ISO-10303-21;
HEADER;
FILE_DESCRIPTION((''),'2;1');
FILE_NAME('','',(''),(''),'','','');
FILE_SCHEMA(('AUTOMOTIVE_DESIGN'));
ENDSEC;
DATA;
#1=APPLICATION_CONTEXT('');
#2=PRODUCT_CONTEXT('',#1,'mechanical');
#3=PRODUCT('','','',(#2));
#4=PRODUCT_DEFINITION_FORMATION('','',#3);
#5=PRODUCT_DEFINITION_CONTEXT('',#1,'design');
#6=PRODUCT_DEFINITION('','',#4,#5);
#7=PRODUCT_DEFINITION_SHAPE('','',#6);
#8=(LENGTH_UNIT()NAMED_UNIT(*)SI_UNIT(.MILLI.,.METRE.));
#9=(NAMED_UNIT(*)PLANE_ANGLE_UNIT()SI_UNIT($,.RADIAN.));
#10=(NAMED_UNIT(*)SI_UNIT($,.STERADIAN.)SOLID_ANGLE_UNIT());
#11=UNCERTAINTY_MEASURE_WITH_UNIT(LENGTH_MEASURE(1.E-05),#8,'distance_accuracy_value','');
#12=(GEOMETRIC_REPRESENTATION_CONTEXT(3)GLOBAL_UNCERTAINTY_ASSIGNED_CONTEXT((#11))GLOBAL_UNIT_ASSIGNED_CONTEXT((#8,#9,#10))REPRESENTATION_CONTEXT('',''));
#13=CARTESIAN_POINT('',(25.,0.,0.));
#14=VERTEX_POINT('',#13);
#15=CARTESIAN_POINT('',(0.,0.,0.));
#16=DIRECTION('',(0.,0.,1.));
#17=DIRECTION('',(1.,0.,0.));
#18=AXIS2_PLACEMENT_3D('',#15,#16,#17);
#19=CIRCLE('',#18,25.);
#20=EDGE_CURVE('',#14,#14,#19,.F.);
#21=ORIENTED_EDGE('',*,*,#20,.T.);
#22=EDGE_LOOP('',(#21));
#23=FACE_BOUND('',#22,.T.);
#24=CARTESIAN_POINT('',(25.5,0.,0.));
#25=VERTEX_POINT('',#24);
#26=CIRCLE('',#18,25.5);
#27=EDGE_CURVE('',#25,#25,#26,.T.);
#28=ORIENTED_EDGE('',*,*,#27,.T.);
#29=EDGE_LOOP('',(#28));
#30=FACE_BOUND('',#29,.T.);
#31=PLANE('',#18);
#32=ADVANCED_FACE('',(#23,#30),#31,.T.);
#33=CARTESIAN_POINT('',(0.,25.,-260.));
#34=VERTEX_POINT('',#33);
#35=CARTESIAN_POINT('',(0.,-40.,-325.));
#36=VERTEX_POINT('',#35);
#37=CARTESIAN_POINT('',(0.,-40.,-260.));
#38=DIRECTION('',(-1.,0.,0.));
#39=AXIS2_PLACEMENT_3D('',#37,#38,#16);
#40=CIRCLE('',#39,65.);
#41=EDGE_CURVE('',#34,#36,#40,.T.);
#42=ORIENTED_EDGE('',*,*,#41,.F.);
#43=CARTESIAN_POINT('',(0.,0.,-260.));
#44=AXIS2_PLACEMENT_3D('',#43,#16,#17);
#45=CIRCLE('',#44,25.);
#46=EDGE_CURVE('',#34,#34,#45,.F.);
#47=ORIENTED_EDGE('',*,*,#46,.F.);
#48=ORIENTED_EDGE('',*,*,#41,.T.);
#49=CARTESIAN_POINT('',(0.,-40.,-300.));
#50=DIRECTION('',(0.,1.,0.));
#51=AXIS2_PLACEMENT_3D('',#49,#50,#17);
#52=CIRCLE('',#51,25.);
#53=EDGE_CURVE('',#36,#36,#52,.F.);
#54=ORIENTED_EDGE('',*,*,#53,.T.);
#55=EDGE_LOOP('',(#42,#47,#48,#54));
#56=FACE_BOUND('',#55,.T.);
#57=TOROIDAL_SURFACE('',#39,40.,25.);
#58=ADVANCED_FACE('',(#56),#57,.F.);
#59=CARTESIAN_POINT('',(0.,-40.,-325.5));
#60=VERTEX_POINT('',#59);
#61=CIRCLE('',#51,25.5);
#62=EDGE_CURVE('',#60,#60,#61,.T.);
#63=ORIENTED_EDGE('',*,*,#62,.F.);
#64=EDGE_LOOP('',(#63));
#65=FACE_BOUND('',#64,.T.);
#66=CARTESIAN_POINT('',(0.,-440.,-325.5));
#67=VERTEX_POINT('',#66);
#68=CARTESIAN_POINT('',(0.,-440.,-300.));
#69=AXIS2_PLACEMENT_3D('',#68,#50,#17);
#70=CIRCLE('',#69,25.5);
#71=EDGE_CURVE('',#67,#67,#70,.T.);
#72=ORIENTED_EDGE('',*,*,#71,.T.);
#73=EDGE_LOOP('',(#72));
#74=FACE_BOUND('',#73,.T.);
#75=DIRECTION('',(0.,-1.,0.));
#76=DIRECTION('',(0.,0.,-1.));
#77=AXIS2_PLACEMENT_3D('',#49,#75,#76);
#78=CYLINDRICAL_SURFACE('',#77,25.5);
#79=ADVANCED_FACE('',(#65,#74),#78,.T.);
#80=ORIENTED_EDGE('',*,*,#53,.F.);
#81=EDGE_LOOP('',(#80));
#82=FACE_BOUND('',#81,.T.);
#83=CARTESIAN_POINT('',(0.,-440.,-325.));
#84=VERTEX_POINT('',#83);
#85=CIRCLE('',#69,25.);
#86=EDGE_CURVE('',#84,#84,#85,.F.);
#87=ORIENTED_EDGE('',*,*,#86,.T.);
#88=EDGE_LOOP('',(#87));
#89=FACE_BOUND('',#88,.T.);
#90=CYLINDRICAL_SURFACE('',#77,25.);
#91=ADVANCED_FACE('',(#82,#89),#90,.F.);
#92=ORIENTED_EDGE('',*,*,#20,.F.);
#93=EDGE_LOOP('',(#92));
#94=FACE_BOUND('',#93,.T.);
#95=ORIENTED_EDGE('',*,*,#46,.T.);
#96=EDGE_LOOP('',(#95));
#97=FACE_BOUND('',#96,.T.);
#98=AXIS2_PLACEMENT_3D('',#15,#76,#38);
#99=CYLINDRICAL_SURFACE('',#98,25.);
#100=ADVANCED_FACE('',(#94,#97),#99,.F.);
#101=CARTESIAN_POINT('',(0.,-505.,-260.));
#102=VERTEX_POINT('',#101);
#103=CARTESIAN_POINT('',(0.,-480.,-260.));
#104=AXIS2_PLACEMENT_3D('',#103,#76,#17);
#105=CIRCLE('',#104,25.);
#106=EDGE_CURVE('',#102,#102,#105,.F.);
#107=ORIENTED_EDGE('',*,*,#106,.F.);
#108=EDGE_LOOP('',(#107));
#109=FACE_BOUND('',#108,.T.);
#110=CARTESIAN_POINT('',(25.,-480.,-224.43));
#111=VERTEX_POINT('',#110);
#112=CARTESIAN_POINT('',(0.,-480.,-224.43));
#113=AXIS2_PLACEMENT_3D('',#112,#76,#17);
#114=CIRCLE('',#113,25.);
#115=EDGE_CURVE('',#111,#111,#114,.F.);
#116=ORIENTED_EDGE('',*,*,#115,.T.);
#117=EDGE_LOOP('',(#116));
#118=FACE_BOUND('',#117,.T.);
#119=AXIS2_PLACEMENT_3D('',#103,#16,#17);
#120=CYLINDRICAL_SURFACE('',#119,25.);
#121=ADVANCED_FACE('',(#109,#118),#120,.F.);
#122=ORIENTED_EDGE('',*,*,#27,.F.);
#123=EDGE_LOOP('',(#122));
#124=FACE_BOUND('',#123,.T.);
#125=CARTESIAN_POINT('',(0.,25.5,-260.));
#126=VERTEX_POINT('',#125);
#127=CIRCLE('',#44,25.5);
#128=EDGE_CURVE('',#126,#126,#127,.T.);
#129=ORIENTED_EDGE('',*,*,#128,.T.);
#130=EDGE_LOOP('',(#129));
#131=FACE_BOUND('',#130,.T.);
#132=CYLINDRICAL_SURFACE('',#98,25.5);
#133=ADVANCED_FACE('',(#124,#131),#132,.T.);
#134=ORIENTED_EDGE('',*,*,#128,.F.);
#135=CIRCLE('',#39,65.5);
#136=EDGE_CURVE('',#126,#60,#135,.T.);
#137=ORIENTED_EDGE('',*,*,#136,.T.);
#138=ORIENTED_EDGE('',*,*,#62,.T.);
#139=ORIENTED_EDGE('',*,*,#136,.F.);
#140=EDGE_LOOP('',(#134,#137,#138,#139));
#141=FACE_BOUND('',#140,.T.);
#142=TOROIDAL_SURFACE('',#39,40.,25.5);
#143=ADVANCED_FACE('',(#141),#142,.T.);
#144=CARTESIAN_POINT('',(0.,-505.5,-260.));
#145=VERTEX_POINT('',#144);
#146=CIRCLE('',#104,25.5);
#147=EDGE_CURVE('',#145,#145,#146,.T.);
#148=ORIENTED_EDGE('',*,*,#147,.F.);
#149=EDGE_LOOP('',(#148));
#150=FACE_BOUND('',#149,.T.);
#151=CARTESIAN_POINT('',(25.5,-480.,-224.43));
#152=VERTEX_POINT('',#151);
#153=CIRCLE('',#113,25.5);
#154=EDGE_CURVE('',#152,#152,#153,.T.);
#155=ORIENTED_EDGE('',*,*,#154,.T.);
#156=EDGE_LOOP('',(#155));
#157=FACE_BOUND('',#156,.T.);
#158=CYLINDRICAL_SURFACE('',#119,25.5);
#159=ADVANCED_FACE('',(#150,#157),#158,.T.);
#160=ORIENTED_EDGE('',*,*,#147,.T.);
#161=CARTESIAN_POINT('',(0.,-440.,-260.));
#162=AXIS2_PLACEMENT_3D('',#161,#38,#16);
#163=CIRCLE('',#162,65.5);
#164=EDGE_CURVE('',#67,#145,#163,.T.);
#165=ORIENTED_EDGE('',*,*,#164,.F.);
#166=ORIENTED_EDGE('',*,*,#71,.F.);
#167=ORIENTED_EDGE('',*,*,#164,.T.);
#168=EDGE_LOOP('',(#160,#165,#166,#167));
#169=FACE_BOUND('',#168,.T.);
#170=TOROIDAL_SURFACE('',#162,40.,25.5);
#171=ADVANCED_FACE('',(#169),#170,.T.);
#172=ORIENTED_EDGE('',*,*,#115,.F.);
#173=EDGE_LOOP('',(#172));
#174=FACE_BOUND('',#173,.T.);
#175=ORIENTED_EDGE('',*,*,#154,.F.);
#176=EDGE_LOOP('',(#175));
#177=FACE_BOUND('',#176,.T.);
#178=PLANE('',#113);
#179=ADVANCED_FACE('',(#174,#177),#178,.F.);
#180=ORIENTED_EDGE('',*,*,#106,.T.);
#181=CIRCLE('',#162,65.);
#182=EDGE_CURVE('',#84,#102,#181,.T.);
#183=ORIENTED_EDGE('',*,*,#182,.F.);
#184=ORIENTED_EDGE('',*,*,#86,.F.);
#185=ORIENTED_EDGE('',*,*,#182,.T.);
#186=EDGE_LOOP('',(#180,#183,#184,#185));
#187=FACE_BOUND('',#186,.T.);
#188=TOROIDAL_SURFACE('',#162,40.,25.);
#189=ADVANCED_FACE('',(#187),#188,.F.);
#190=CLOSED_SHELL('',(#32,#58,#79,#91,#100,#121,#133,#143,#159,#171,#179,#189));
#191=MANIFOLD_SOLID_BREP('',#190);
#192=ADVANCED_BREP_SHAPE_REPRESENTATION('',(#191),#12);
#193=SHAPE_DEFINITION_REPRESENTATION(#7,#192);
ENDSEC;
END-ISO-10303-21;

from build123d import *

# Parameters (mm, degrees)
SKETCH31_R   = 25.5
SKETCH31_R_2 = 25


with BuildPart() as part:
    # Sweep1: sweep along a path in Sketch3
    with BuildLine(Plane(origin=(0, 0, 0), x_dir=(0, 0, -1), z_dir=(1, 0, 0))) as sweep1_path:
        Line((0, 0), (260, 0))
        ThreePointArc((260, 0), (288.284271247, -11.715728753), (300, -40))
        Line((300, -40), (300, -440))
        ThreePointArc((300, -440), (288.284271247, -468.284271247), (260, -480))
        Line((260, -480), (224.43, -480))
    # Sketch31 → Sweep1 (sweep)
    with BuildSketch(Plane.XY):
        Circle(SKETCH31_R)
        Circle(SKETCH31_R_2, mode=Mode.SUBTRACT)
    sweep(path=sweep1_path.line)


solid = part.part
